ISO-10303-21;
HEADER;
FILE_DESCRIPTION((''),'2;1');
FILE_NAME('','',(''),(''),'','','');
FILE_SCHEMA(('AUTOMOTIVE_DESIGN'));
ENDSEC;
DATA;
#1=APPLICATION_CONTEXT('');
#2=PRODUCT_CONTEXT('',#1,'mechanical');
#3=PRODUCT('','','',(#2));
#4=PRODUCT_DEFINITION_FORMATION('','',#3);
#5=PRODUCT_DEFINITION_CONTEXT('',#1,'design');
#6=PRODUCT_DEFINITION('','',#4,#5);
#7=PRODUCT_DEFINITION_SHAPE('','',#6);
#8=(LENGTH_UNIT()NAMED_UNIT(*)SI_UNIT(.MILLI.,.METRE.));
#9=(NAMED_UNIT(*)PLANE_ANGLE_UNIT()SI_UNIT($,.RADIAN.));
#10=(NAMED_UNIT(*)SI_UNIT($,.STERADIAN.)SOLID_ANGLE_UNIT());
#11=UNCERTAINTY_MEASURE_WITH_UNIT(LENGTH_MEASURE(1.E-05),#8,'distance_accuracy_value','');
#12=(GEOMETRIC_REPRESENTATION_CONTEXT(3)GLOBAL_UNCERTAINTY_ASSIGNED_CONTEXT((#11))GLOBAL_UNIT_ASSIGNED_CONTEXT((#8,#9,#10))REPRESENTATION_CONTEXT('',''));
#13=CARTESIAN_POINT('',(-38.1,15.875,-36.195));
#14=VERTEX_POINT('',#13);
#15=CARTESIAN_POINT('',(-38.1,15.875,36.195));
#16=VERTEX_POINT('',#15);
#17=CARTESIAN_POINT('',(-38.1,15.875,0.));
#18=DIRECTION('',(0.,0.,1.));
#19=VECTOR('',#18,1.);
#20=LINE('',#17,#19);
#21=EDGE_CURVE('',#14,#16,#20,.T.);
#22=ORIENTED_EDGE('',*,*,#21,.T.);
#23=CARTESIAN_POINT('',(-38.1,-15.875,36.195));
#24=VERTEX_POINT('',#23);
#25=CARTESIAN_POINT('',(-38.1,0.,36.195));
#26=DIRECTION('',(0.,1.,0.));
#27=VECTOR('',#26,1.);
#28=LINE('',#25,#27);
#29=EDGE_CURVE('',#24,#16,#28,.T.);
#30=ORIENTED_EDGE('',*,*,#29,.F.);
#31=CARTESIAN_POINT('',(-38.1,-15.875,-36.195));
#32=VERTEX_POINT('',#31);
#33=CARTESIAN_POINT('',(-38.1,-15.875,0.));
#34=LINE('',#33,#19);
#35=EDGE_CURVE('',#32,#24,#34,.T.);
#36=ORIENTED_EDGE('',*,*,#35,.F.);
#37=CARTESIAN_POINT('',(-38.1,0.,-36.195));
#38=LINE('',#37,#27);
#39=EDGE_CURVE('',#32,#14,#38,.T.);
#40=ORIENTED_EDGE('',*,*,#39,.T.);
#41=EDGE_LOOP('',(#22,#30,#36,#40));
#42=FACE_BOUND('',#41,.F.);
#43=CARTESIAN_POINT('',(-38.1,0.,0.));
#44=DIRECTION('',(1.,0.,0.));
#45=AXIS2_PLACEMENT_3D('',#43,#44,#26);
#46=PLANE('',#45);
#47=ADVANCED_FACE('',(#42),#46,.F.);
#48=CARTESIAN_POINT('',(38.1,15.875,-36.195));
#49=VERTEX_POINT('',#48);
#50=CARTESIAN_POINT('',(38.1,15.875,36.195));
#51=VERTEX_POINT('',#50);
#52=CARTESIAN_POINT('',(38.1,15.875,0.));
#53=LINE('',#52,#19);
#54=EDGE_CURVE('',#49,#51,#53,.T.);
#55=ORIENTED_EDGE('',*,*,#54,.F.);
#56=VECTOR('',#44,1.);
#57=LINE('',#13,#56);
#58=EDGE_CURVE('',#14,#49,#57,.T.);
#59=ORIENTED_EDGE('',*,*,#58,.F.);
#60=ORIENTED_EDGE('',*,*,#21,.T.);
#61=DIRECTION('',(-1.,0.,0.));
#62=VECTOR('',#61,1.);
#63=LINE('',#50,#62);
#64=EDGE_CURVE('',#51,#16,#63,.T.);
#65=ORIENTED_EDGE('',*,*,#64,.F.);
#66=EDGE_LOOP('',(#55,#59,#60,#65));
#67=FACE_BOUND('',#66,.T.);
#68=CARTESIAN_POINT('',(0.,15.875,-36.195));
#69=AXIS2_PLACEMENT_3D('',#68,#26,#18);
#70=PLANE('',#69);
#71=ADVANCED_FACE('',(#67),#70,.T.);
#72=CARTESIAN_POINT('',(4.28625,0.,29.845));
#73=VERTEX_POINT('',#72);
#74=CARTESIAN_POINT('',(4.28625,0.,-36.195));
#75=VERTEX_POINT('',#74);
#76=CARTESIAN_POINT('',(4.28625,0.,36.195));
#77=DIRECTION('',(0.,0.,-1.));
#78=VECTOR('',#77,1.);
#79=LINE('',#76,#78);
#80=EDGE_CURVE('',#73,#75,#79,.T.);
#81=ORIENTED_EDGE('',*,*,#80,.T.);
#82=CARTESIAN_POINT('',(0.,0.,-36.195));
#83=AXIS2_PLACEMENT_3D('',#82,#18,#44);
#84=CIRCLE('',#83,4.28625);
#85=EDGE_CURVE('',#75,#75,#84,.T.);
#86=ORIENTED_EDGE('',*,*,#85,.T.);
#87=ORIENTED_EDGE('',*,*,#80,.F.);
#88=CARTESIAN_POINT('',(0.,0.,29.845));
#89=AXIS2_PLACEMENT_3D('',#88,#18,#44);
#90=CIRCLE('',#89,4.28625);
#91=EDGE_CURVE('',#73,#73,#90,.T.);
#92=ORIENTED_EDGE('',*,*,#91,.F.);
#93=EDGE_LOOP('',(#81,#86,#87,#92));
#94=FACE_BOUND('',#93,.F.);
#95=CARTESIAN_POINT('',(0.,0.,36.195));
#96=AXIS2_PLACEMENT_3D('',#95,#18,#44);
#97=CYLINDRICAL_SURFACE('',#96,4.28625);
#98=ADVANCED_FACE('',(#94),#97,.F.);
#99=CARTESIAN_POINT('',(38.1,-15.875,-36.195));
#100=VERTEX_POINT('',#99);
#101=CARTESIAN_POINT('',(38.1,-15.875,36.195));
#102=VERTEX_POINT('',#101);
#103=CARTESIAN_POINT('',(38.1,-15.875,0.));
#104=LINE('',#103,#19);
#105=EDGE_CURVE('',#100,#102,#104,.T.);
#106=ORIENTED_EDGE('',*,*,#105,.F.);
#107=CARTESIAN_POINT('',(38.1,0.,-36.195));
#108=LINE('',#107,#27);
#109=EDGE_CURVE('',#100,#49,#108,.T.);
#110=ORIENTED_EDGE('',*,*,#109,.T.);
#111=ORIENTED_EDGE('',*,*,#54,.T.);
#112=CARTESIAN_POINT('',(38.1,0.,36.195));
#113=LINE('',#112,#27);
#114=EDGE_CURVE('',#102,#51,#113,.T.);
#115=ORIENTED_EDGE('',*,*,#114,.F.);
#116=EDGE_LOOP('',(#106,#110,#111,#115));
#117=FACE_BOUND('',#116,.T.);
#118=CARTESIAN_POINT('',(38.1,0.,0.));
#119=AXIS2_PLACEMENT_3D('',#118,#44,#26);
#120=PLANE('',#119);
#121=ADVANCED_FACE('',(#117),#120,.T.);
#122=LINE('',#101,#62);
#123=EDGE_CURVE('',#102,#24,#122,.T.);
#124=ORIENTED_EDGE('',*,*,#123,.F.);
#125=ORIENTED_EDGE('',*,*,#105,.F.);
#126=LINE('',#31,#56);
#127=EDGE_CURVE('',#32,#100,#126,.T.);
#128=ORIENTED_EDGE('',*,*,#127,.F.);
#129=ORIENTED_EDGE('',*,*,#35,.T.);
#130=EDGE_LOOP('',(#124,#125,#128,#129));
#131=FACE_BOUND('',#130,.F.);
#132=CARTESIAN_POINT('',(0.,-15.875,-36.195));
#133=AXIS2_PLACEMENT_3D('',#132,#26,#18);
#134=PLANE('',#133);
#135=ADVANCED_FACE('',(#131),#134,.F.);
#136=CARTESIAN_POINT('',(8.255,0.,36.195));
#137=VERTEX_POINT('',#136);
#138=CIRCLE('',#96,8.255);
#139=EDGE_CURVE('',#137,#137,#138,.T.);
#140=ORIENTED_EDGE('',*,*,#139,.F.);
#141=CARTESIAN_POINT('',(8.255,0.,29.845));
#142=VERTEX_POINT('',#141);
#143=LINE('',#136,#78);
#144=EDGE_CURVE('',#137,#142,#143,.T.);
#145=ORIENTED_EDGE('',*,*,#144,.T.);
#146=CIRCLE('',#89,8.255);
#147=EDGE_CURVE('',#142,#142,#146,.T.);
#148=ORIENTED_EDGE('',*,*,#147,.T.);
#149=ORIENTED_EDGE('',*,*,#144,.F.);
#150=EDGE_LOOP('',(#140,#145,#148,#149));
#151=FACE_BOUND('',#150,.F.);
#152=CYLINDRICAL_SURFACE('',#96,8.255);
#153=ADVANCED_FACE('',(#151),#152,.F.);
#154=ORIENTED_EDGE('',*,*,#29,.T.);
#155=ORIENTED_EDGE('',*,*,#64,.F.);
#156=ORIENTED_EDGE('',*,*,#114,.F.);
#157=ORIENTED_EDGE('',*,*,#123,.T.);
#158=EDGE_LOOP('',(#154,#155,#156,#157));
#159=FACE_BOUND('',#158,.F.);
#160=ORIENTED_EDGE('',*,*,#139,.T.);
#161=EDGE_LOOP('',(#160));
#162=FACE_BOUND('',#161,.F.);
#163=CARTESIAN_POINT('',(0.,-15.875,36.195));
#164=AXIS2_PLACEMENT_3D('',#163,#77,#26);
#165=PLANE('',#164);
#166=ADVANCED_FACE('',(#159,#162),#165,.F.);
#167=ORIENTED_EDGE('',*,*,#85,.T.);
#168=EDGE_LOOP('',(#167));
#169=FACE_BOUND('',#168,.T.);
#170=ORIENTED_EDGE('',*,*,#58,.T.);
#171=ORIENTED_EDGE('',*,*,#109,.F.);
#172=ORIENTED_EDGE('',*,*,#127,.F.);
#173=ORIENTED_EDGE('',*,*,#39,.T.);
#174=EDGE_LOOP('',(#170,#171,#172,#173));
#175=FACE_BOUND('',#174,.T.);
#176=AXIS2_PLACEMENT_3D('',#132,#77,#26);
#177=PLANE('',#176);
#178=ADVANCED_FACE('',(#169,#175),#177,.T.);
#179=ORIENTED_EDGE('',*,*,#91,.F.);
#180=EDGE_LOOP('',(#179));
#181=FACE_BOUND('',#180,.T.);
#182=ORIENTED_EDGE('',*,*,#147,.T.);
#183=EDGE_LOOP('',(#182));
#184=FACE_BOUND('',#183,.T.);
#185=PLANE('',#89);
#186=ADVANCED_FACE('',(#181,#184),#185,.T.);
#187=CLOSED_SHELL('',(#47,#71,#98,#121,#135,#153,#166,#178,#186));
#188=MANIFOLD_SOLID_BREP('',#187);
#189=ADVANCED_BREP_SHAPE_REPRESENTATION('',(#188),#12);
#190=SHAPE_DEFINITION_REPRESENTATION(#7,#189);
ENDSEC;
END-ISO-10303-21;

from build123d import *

# Parameters (mm, degrees)
F0_W          = 31.75
F0_H          = 72.39
F1_DEPTH      = 38.1
F1_DEPTH_BACK = 38.1
F2_R          = 8.255
F2_R_2        = 4.28625
F3_DEPTH      = 6.35
F3_FACE_R     = 4.28625
F4_DEPTH      = 72.391


with BuildPart() as f1:
    # F0 (on Right) → F1 (new body, two sides)
    with BuildSketch(Plane.YZ) as f1_sk:
        Rectangle(F0_W, F0_H)
    extrude(amount=F1_DEPTH)
    extrude(f1_sk.sketch, amount=-F1_DEPTH_BACK)

    # F2 (on face) → F3 (cut)
    with BuildSketch(Plane.XY.offset(36.195)):
        Circle(F2_R)
        Circle(F2_R_2, mode=Mode.SUBTRACT)
    extrude(amount=-F3_DEPTH, mode=Mode.SUBTRACT)

    # F3_face (on face) → F4 (cut, through all)
    with BuildSketch(Plane.XY.offset(36.195)):
        Circle(F3_FACE_R)
    extrude(amount=-F4_DEPTH, mode=Mode.SUBTRACT)


solid = f1.part
